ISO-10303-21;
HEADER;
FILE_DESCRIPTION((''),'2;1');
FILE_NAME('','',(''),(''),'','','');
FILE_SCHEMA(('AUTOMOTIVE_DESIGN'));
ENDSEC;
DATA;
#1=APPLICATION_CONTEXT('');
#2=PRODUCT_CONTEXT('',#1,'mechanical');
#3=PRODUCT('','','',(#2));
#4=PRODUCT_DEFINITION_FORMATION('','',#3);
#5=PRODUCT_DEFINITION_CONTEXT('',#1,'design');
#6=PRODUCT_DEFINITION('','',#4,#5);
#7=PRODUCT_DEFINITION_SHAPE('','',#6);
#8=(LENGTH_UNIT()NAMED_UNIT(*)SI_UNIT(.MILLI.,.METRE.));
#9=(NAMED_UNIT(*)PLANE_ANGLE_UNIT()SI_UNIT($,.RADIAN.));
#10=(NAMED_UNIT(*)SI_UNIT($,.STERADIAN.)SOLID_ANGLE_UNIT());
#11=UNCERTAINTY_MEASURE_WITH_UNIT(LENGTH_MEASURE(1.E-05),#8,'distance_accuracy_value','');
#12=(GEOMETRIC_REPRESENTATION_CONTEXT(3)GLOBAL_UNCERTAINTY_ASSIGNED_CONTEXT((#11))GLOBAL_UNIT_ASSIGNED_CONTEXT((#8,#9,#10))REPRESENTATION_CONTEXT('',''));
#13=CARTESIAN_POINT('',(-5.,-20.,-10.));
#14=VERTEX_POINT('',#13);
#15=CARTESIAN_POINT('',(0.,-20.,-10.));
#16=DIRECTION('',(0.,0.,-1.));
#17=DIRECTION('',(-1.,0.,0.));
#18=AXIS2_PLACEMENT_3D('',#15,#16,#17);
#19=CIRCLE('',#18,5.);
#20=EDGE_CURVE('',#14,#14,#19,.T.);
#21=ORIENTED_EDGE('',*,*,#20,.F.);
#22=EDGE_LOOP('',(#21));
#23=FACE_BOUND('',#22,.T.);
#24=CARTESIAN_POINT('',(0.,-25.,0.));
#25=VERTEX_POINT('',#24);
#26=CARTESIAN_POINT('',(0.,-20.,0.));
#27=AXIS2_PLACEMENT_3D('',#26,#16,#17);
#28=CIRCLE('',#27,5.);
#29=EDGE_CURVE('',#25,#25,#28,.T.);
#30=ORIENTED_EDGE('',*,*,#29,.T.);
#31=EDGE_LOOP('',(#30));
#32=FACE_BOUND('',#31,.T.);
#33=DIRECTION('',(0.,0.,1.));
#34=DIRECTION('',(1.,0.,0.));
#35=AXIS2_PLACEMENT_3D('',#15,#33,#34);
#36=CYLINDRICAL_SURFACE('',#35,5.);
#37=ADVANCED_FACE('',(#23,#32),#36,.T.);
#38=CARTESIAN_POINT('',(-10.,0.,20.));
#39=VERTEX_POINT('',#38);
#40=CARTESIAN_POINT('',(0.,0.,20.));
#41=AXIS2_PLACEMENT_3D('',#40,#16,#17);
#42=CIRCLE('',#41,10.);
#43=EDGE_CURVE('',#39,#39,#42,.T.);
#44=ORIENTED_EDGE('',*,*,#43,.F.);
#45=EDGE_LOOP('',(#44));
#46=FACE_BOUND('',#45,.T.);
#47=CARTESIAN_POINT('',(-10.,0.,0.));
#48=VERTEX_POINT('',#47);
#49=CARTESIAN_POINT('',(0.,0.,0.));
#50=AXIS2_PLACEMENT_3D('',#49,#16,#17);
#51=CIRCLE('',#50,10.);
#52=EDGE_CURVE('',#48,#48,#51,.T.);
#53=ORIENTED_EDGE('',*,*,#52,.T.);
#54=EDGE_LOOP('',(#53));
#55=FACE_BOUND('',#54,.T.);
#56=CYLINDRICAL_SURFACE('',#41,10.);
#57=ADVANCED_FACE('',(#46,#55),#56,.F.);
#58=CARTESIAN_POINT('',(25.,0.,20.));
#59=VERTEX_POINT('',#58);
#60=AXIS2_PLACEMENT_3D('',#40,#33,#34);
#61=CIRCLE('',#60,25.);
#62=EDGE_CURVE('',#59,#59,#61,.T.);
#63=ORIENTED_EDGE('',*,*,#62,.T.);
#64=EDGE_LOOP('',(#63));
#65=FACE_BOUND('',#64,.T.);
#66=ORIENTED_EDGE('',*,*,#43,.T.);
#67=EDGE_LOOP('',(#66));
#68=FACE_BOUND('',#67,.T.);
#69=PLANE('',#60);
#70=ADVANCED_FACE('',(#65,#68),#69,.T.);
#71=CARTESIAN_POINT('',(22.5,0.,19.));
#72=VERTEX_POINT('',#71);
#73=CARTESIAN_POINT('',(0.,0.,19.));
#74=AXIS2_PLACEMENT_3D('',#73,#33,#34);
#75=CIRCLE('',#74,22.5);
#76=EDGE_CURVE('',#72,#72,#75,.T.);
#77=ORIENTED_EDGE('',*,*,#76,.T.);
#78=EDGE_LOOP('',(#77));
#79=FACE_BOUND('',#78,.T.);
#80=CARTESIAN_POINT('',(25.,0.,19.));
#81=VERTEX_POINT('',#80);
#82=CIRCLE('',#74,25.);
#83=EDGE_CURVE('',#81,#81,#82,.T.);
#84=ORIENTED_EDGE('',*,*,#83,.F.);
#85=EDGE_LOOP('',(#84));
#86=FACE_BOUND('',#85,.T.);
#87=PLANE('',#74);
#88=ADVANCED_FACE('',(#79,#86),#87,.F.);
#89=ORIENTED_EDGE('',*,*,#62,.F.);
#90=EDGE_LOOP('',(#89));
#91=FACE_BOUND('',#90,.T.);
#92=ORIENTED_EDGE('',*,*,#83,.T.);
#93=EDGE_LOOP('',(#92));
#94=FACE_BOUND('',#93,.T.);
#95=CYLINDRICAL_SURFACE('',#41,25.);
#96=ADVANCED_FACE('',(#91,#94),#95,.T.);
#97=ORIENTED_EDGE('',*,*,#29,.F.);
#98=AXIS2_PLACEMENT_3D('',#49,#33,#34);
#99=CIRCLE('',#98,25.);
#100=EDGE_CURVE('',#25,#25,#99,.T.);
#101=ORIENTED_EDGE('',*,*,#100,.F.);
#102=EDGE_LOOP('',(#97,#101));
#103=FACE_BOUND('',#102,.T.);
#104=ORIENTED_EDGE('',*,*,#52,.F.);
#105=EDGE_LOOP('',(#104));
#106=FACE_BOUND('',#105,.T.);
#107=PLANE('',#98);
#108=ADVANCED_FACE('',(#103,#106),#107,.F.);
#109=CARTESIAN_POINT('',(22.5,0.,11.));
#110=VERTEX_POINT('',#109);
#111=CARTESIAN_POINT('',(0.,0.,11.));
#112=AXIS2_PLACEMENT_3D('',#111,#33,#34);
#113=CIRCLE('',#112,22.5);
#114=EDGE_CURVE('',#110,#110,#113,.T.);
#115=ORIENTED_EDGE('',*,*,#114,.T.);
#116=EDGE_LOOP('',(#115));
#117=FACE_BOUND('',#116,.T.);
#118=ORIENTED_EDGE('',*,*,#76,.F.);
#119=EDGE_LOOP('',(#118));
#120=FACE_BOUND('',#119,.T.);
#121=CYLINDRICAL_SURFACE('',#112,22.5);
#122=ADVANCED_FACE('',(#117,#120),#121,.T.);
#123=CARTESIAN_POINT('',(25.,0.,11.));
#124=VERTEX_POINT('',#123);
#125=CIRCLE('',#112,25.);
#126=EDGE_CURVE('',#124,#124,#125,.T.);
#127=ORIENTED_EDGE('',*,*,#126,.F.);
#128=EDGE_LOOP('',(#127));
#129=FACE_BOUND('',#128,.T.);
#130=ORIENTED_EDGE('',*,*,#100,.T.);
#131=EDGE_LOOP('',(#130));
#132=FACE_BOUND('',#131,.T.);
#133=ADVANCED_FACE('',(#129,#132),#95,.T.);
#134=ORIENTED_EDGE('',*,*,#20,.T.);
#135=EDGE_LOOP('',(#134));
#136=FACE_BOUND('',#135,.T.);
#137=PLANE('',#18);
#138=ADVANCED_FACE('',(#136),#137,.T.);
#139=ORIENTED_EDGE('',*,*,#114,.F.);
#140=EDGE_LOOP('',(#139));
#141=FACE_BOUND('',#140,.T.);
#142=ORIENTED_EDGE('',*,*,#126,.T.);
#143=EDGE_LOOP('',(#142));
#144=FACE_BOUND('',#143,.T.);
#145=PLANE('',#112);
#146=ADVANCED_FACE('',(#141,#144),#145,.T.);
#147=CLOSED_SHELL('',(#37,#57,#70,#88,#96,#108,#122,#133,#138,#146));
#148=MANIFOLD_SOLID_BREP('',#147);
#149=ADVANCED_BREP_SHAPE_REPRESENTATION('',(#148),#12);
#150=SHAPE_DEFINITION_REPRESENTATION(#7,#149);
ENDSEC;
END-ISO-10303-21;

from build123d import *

# Parameters (mm, degrees)
SKETCH1_R           = 25
BOSS_EXTRUDE1_DEPTH = 20
SKETCH2_R           = 5
BOSS_EXTRUDE2_DEPTH = 10
SKETCH3_R           = 10
CUT_EXTRUDE1_DEPTH  = 41.620192023
CUT_EXTRUDE2_START  = -9
SKETCH5_R           = 25
SKETCH5_R_2         = 22.5
CUT_EXTRUDE2_DEPTH  = 8


with BuildPart() as part:
    # Sketch1 → Boss-Extrude1 (new body)
    with BuildSketch(Plane.XY):
        Circle(SKETCH1_R)
    extrude(amount=BOSS_EXTRUDE1_DEPTH)

    # Sketch2 → Boss-Extrude2 (add)
    with BuildSketch(Plane(origin=(0, 0, 0), x_dir=(-1, 0, 0), z_dir=(0, 0, -1))):
        with Locations(Location((0, -20, 0), (0, 0, 270))):
            Circle(SKETCH2_R)
    extrude(amount=BOSS_EXTRUDE2_DEPTH)

    # Sketch3 → Cut-Extrude1 (cut, through all)
    with BuildSketch(Plane(origin=(0, 0, 0), x_dir=(-1, 0, 0), z_dir=(0, 0, -1))):
        Circle(SKETCH3_R)
    extrude(amount=-CUT_EXTRUDE1_DEPTH, mode=Mode.SUBTRACT)

    # Sketch5 → Cut-Extrude2 (cut)
    with BuildSketch(Plane.XY.offset(20).offset(CUT_EXTRUDE2_START)):
        with Locations(Location((0, 0, 0), (0, 0, 270))):
            Circle(SKETCH5_R)
        Circle(SKETCH5_R_2, mode=Mode.SUBTRACT)
    extrude(amount=CUT_EXTRUDE2_DEPTH, mode=Mode.SUBTRACT)


solid = part.part
